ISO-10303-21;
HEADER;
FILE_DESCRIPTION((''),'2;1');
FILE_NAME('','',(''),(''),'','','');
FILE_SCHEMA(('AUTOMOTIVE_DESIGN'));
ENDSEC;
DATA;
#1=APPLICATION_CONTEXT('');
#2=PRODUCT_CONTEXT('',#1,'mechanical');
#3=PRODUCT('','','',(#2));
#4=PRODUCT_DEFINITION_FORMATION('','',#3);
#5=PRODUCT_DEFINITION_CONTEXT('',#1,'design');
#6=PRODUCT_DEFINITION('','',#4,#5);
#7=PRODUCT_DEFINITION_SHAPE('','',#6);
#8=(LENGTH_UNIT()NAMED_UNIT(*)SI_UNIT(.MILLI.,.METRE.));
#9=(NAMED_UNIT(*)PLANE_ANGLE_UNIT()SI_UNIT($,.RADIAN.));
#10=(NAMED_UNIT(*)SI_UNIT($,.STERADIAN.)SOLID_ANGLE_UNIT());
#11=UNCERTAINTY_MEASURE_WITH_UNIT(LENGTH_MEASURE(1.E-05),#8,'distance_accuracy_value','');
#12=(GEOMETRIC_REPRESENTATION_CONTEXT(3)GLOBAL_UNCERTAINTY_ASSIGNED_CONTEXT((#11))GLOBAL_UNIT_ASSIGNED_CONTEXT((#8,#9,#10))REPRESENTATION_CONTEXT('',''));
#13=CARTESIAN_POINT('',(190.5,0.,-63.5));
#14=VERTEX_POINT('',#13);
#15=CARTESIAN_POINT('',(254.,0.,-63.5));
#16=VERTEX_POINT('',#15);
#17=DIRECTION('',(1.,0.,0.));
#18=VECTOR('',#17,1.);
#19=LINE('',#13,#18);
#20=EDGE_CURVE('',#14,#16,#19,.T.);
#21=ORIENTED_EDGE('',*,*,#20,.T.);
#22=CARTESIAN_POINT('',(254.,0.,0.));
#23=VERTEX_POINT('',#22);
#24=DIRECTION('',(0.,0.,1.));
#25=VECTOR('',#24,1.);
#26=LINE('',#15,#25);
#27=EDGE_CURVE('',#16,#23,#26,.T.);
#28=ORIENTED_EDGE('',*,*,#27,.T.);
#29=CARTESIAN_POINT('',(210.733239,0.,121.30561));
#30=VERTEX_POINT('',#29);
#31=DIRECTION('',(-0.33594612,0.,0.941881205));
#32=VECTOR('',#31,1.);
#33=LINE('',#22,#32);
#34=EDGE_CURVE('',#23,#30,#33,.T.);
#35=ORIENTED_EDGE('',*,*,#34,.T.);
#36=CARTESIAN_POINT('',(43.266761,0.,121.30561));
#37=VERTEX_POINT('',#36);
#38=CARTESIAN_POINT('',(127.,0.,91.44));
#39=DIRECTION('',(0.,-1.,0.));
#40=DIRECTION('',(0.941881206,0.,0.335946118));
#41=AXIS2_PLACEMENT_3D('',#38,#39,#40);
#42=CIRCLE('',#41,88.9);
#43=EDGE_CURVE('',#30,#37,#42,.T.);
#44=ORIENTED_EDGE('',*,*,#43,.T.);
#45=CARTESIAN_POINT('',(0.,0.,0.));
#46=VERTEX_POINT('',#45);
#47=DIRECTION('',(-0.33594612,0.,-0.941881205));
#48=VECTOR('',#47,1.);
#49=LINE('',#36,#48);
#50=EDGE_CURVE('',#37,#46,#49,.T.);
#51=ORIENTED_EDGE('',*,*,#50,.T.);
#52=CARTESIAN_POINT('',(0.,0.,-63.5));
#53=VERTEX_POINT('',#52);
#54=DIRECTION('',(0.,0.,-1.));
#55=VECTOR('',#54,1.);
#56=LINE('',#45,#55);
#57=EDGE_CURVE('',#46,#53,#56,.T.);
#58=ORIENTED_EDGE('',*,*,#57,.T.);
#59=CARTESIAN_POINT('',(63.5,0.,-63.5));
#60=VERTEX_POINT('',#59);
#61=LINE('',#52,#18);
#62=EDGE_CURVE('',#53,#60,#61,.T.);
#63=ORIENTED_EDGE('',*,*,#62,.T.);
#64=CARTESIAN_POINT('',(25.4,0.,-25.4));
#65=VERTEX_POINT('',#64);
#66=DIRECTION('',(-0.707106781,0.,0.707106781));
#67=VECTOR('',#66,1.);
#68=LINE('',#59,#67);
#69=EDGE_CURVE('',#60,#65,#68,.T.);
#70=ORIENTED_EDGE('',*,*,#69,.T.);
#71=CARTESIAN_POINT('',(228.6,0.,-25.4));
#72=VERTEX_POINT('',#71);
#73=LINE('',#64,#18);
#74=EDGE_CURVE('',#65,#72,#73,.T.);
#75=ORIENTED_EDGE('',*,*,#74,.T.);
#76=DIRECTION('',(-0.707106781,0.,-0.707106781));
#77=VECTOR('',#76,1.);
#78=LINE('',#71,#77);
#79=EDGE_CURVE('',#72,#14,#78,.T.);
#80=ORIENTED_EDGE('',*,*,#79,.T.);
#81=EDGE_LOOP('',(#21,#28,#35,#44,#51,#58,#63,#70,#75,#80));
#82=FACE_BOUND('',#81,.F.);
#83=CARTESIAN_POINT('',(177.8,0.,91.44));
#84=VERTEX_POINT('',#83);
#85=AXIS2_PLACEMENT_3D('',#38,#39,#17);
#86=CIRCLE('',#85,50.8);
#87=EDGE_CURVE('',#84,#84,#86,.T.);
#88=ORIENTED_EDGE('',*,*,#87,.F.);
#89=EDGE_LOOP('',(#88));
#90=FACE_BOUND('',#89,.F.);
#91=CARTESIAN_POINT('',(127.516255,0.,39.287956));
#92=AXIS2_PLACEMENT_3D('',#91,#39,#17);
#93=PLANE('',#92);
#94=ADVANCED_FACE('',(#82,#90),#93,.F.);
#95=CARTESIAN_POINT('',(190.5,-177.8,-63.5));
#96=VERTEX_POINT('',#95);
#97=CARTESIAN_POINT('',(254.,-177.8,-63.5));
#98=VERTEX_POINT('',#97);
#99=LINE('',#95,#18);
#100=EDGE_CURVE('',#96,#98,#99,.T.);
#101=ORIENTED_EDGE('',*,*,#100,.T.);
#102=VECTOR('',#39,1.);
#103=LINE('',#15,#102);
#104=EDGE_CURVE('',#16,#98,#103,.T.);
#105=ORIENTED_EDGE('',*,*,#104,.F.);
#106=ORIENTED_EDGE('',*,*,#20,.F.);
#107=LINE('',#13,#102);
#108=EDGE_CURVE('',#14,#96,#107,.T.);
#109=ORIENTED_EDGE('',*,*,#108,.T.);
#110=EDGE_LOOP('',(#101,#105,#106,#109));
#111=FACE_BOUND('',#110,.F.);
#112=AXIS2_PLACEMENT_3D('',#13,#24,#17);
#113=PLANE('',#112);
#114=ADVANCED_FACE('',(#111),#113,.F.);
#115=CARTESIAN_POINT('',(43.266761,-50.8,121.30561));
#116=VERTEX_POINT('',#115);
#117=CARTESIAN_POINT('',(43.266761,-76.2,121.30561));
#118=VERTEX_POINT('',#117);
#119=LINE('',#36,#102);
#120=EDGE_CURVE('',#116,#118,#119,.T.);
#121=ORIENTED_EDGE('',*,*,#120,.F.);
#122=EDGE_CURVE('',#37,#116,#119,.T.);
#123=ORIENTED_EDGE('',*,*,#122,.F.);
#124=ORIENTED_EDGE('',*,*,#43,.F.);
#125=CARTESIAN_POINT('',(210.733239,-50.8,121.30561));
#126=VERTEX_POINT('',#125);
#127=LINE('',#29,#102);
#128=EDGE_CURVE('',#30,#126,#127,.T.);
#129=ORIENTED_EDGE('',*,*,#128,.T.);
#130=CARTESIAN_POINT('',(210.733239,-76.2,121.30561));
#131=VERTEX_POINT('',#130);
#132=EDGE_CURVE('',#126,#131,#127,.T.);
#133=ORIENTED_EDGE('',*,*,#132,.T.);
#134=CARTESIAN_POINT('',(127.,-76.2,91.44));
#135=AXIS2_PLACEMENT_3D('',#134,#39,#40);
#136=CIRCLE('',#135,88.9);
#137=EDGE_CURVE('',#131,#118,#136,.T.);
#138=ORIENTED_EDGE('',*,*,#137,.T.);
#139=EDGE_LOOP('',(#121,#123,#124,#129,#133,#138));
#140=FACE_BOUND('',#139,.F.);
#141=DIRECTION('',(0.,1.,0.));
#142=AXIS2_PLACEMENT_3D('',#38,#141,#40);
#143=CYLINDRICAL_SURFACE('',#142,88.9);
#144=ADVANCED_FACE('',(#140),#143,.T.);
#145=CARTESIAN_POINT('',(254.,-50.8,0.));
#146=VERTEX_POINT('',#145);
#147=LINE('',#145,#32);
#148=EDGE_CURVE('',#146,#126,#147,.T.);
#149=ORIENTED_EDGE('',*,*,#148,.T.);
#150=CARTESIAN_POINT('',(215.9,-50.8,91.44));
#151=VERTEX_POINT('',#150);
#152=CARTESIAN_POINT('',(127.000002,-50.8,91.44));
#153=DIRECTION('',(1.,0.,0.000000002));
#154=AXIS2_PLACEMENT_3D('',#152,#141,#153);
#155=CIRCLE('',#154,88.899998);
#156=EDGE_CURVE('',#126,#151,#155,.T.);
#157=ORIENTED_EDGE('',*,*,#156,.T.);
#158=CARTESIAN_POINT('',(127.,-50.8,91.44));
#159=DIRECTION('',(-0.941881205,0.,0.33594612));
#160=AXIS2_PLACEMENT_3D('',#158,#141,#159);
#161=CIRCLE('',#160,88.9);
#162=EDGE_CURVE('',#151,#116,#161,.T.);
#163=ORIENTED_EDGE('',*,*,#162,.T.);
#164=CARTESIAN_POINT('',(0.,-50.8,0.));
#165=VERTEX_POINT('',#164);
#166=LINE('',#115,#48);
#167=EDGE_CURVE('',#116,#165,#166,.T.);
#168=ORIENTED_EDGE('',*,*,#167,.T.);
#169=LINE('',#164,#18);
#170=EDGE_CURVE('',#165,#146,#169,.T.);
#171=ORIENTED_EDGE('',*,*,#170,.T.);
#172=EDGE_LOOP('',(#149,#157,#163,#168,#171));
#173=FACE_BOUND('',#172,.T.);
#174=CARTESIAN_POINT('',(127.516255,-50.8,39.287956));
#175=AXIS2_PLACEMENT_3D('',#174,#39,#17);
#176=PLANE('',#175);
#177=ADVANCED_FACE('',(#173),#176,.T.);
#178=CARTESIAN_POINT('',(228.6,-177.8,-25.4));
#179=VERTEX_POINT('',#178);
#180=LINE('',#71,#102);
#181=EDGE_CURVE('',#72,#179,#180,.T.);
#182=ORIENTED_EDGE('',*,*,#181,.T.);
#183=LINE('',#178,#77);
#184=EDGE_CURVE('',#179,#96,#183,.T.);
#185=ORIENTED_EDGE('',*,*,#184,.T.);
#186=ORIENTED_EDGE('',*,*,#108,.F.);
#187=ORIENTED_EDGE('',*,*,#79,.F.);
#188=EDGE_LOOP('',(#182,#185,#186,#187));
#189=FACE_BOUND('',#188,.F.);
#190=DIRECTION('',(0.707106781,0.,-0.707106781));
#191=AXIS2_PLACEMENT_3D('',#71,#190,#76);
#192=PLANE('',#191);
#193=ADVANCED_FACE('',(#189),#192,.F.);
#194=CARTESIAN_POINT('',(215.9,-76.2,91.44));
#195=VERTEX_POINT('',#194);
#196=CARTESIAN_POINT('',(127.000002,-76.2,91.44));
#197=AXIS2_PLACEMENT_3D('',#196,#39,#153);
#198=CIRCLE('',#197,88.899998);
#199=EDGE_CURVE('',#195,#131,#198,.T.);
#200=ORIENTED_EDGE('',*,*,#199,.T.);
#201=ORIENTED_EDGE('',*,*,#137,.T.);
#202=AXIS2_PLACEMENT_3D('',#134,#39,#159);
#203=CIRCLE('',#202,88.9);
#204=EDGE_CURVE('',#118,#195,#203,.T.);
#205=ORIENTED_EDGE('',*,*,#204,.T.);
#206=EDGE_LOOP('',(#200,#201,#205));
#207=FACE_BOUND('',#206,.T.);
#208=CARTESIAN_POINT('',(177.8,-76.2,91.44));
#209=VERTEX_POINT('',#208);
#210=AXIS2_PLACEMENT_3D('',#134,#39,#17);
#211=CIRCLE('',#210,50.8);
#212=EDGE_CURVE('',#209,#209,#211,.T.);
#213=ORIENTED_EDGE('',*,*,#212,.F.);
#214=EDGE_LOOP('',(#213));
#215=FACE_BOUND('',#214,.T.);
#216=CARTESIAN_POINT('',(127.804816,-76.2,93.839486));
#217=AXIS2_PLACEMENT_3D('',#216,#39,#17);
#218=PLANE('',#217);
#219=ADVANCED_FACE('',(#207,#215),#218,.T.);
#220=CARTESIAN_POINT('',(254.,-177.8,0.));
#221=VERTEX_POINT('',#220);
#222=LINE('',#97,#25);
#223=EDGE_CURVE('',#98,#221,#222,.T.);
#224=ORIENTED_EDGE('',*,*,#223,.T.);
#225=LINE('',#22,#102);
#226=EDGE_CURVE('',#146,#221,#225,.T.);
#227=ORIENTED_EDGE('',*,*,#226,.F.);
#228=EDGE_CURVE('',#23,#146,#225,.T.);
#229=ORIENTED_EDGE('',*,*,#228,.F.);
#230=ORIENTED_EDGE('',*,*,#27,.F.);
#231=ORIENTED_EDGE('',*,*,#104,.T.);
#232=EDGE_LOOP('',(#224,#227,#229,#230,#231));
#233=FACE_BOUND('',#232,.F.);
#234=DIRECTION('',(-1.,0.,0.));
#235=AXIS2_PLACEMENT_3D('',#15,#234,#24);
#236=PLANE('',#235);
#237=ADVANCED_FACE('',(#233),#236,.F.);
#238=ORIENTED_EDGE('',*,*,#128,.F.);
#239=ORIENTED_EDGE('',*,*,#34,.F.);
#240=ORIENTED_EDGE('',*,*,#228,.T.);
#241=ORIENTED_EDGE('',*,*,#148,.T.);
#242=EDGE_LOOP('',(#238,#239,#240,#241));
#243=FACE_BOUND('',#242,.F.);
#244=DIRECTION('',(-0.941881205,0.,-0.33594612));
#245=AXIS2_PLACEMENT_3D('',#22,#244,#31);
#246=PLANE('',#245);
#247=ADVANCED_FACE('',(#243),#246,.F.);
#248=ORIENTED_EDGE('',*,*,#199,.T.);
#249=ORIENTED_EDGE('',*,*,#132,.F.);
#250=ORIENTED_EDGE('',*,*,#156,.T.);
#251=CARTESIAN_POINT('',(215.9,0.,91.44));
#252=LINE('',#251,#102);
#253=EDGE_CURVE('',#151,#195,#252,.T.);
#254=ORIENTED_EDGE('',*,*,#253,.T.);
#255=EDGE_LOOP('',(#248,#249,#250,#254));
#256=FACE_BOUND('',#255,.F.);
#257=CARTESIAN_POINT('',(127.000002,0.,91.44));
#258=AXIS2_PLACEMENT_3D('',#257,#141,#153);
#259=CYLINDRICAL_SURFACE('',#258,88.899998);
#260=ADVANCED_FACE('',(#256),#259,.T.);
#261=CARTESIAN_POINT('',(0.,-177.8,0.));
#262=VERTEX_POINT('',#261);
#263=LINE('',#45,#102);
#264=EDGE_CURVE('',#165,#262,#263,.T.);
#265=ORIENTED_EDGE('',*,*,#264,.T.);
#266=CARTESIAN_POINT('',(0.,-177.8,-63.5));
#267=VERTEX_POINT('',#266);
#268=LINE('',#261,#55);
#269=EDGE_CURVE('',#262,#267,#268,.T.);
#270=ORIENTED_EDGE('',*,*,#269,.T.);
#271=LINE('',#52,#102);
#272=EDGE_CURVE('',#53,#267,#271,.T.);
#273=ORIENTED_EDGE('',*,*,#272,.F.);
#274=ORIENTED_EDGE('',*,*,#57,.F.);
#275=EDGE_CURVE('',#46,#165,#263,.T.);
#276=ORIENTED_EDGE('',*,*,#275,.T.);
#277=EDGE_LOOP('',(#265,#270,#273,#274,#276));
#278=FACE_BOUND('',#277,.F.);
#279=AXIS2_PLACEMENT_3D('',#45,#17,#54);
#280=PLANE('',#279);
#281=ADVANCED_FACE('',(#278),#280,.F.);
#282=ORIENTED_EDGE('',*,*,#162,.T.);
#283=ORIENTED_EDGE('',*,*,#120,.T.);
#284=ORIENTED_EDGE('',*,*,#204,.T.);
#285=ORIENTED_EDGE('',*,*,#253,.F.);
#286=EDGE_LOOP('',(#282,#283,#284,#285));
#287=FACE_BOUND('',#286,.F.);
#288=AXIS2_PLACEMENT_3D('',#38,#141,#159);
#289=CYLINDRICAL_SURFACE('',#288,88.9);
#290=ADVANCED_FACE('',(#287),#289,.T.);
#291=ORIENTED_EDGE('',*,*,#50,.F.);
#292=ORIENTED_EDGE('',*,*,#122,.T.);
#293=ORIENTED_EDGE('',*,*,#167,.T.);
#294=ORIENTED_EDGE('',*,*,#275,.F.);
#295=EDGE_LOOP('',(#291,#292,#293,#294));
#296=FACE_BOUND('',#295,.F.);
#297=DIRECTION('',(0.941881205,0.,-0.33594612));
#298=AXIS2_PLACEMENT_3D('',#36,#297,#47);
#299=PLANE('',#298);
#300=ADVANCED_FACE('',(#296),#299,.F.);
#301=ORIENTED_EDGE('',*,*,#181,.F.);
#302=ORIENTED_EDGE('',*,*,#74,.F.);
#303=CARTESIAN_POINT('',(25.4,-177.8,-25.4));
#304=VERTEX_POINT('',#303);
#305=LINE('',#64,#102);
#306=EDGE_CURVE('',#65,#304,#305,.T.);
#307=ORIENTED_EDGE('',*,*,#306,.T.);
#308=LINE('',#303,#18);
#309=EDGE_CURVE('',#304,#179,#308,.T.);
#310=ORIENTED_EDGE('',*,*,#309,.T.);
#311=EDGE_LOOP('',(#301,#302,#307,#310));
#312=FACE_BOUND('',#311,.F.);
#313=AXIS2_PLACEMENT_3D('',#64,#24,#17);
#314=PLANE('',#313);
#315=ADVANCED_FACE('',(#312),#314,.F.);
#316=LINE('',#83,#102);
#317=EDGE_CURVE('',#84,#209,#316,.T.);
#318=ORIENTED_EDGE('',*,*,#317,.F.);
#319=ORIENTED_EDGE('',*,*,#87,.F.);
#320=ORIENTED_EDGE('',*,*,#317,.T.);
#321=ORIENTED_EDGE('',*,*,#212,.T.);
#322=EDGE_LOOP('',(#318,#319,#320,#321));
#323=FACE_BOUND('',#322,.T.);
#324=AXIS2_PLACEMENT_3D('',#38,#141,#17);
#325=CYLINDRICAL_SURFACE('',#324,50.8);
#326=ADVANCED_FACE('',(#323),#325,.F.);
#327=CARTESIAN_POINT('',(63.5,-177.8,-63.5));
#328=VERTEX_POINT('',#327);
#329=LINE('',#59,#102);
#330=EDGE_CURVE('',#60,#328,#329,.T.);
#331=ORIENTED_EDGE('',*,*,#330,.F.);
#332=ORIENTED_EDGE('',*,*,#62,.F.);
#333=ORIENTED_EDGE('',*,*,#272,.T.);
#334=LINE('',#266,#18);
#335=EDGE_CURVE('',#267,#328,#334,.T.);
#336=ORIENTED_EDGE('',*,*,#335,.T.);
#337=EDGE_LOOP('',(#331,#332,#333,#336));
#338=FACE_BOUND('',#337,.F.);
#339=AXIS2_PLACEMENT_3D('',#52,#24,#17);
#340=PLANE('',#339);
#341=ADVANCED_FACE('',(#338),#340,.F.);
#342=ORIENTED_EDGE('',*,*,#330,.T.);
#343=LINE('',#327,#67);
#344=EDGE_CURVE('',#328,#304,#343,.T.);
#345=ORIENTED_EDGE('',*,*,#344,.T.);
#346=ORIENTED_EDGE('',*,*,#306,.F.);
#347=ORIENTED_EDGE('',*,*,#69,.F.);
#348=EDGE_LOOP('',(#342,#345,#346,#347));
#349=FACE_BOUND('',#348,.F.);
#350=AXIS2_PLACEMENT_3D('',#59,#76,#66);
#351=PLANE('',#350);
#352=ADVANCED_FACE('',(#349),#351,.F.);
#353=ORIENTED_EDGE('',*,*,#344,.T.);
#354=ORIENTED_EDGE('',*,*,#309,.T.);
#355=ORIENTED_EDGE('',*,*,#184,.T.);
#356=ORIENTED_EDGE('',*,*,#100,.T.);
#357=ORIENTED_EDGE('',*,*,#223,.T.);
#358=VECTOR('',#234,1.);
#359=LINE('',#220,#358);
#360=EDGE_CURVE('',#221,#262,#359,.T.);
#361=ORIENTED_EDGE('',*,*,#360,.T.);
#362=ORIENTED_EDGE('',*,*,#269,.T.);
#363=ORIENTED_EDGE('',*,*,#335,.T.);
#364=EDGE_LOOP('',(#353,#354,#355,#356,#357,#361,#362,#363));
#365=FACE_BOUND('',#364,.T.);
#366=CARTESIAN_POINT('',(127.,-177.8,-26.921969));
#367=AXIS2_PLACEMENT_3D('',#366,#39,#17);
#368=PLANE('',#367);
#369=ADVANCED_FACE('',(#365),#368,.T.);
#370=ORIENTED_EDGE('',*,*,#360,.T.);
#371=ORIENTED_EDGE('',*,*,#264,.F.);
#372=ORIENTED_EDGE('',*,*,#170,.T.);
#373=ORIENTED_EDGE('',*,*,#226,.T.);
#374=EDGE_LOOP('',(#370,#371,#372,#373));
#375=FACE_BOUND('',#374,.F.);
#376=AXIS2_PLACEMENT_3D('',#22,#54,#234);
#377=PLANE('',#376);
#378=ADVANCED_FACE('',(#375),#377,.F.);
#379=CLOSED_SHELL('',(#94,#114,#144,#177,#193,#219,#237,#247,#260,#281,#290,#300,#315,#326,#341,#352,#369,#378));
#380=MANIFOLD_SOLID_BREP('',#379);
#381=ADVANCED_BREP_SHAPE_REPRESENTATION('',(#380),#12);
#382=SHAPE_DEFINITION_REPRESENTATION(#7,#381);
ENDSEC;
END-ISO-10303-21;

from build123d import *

# Parameters (mm, degrees)
F1_DEPTH = 177.8
F0_R     = 50.8
F2_DEPTH = 50.8
F3_DEPTH = 76.2


with BuildPart() as f1:
    # F0 (on Front) → F1 (new body)
    with BuildSketch(Plane.XZ):
        Polygon((254, 0), (0, 0), (0, -63.5), (63.5, -63.5), (25.4, -25.4), (228.6, -25.4), (190.5, -63.5), (254, -63.5), align=None)
    extrude(amount=F1_DEPTH)

    # F0 (on Front) → F2 (join)
    with BuildSketch(Plane.XZ):
        with BuildLine():
            Line((43.266761, 121.30561), (0, 0))
            Line((0, 0), (254, 0))
            Line((254, 0), (210.733239, 121.30561))
            ThreePointArc((210.733239, 121.30561), (214.598787, 106.59462), (215.9, 91.44))
            ThreePointArc((215.9, 91.44), (111.84538, 3.841213), (43.266761, 121.30561))
        make_face()
        with BuildLine():
            ThreePointArc((210.733239, 121.30561), (127, 180.34), (43.266761, 121.30561))
            ThreePointArc((43.266761, 121.30561), (111.84538, 3.841213), (215.9, 91.44))
            ThreePointArc((215.9, 91.44), (214.598787, 106.59462), (210.733239, 121.30561))
        make_face()
        with Locations((127, 91.44)):
            Circle(F0_R, mode=Mode.SUBTRACT)
    extrude(amount=F2_DEPTH)

    # F0 (on Front) → F3 (join)
    with BuildSketch(Plane.XZ):
        with BuildLine():
            ThreePointArc((210.733239, 121.30561), (127, 180.34), (43.266761, 121.30561))
            ThreePointArc((43.266761, 121.30561), (111.84538, 3.841213), (215.9, 91.44))
            ThreePointArc((215.9, 91.44), (214.598787, 106.59462), (210.733239, 121.30561))
        make_face()
        with Locations((127, 91.44)):
            Circle(F0_R, mode=Mode.SUBTRACT)
    extrude(amount=F3_DEPTH)


solid = f1.part
